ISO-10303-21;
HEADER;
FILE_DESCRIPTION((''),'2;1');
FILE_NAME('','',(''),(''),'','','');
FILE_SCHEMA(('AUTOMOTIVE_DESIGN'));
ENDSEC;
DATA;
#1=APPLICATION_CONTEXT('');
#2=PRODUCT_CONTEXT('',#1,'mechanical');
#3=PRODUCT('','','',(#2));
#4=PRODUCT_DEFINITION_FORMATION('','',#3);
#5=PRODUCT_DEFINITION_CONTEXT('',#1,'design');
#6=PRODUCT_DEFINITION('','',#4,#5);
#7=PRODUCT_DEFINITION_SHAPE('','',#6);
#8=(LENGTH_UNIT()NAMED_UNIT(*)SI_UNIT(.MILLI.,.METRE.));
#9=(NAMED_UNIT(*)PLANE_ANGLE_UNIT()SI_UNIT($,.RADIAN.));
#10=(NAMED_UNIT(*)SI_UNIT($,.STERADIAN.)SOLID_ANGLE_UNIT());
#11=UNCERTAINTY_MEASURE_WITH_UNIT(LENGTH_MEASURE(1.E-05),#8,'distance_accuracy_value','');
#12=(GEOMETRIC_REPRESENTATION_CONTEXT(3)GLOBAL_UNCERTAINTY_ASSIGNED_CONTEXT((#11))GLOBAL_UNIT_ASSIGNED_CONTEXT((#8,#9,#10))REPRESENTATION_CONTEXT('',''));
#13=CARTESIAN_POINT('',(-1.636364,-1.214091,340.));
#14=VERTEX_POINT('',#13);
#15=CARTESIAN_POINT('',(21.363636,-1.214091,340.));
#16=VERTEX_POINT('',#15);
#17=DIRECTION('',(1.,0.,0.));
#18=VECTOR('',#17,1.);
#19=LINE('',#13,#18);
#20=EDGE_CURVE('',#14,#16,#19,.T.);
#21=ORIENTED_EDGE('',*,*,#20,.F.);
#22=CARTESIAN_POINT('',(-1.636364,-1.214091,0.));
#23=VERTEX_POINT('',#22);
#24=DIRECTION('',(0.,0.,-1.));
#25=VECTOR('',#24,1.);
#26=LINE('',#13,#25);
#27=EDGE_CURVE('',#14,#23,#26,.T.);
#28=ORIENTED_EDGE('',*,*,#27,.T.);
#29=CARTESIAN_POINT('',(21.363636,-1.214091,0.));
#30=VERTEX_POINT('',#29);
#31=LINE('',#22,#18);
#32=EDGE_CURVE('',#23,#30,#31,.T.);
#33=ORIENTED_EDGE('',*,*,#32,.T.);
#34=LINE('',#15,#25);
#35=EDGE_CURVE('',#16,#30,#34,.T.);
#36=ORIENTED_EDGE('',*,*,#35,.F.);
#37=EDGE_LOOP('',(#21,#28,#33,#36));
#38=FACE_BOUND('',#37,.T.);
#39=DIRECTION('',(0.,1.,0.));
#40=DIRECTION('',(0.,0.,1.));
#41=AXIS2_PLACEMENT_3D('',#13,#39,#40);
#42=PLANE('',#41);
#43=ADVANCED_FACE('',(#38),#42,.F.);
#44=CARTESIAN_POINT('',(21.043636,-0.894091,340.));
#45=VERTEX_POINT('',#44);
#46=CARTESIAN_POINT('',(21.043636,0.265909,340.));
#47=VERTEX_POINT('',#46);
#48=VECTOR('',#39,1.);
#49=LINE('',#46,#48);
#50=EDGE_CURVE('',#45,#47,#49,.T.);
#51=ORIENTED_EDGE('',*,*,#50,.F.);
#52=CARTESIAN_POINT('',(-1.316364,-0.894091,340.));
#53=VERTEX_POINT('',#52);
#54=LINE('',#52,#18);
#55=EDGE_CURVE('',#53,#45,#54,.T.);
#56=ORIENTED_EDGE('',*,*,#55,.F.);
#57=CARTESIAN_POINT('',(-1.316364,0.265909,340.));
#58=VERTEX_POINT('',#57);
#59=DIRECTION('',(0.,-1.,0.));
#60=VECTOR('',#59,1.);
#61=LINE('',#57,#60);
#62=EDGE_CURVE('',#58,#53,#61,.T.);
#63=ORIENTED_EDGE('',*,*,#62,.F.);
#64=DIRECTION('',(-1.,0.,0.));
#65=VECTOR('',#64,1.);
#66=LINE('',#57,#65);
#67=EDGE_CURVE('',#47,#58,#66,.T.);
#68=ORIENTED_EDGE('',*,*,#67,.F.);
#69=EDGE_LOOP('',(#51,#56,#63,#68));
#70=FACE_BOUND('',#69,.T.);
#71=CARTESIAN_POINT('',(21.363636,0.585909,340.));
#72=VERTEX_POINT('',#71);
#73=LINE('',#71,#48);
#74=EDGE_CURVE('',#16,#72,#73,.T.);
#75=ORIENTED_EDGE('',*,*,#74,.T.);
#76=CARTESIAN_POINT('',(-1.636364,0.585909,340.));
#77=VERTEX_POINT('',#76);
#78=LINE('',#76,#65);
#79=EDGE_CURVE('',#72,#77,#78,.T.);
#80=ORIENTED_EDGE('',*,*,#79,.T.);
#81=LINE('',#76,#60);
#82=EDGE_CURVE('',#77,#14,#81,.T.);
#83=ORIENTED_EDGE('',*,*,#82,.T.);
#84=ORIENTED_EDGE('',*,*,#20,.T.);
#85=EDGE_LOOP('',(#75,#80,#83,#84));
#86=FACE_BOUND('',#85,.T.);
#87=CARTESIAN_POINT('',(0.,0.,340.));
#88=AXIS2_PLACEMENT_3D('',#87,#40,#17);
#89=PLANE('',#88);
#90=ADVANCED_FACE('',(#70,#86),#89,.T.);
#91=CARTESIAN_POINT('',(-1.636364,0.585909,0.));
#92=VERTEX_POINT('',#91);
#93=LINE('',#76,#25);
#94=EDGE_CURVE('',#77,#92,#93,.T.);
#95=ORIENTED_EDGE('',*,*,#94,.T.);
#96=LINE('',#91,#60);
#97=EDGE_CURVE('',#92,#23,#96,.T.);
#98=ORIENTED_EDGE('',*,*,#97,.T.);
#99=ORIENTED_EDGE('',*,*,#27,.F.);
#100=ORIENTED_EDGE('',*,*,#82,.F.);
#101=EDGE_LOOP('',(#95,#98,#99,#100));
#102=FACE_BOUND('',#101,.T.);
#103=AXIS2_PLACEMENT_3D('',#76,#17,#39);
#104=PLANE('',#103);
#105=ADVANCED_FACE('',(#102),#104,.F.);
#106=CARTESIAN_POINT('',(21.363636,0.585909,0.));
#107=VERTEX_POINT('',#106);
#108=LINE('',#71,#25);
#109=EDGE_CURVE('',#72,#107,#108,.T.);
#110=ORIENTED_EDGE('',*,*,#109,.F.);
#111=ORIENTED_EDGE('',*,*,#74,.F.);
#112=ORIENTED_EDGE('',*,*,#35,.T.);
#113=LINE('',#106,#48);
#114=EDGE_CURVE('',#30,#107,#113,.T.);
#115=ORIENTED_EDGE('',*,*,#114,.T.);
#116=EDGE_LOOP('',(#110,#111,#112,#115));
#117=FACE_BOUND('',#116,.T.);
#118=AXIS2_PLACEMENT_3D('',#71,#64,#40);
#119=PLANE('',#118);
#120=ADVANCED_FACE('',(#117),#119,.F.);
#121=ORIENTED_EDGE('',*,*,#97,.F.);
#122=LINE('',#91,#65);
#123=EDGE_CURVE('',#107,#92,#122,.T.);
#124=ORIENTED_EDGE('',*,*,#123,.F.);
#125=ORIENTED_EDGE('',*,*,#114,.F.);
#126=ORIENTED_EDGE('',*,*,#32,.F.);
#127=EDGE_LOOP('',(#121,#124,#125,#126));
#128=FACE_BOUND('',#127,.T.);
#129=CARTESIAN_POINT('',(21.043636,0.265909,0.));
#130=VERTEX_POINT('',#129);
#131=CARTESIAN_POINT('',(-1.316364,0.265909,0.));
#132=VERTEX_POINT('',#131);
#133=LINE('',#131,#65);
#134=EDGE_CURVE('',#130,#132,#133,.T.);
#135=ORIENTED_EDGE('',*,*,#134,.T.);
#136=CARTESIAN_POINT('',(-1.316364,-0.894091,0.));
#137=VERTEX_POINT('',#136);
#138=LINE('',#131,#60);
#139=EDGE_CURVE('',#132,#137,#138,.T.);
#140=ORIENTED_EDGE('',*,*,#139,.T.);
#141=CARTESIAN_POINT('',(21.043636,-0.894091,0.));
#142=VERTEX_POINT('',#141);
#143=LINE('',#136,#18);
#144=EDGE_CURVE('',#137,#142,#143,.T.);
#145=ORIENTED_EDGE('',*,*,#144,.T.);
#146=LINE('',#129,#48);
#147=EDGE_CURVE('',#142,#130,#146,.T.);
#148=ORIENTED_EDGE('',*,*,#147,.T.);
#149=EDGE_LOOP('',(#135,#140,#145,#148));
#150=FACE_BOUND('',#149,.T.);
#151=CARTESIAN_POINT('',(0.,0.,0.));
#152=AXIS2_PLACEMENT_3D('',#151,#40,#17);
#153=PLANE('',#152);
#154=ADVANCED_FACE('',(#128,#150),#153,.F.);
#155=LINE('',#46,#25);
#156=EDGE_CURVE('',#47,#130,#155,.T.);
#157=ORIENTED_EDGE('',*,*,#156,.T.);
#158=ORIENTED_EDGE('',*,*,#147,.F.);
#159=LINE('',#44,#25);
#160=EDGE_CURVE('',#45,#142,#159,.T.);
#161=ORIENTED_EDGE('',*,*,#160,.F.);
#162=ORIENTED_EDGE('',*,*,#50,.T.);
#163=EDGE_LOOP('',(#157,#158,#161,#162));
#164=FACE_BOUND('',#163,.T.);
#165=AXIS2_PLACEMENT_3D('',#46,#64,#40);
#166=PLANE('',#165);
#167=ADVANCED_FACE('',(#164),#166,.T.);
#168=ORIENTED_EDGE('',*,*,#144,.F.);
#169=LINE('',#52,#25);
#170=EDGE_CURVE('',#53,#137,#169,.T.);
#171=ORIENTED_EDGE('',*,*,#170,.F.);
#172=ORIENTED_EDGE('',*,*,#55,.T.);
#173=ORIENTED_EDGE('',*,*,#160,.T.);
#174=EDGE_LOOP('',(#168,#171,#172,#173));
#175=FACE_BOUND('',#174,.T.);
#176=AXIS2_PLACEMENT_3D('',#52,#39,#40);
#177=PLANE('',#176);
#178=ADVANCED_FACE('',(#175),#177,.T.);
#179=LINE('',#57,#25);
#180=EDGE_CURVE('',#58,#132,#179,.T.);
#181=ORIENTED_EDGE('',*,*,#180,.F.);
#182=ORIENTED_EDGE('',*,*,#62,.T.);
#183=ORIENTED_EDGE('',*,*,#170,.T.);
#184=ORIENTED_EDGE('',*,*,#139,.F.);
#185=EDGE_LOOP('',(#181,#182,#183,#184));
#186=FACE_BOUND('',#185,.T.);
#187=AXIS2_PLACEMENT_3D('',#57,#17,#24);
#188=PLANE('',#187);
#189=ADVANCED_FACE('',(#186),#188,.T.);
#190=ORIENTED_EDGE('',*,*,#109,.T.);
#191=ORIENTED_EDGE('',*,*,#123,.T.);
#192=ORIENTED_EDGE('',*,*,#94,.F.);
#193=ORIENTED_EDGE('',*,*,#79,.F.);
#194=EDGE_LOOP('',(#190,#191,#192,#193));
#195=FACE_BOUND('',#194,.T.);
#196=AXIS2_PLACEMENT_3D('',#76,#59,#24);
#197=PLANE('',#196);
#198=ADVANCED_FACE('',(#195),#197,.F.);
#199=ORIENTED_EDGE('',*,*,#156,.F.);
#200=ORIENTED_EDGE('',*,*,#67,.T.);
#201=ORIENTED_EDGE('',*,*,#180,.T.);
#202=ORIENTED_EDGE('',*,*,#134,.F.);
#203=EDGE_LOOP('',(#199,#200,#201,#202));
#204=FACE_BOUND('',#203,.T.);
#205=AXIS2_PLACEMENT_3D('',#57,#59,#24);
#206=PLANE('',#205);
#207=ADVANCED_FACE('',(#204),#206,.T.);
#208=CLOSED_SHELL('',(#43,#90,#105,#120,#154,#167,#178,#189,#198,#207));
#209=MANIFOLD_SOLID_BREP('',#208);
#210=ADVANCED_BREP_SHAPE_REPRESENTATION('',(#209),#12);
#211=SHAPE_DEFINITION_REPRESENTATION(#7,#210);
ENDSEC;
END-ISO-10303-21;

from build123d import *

# Parameters (mm, degrees)
SKETCH1_W           = 23
SKETCH1_H           = 1.8
SKETCH1_W_2         = 22.36
SKETCH1_H_2         = 1.16
BOSS_EXTRUDE1_DEPTH = 340


with BuildPart() as part:
    # Sketch1 → Boss-Extrude1 (new body)
    with BuildSketch(Plane.XY):
        with Locations((9.863636364, -0.314090909)):
            Rectangle(SKETCH1_W, SKETCH1_H)
        with Locations((9.863636364, -0.314090909)):
            Rectangle(SKETCH1_W_2, SKETCH1_H_2, mode=Mode.SUBTRACT)
    extrude(amount=BOSS_EXTRUDE1_DEPTH)


solid = part.part
